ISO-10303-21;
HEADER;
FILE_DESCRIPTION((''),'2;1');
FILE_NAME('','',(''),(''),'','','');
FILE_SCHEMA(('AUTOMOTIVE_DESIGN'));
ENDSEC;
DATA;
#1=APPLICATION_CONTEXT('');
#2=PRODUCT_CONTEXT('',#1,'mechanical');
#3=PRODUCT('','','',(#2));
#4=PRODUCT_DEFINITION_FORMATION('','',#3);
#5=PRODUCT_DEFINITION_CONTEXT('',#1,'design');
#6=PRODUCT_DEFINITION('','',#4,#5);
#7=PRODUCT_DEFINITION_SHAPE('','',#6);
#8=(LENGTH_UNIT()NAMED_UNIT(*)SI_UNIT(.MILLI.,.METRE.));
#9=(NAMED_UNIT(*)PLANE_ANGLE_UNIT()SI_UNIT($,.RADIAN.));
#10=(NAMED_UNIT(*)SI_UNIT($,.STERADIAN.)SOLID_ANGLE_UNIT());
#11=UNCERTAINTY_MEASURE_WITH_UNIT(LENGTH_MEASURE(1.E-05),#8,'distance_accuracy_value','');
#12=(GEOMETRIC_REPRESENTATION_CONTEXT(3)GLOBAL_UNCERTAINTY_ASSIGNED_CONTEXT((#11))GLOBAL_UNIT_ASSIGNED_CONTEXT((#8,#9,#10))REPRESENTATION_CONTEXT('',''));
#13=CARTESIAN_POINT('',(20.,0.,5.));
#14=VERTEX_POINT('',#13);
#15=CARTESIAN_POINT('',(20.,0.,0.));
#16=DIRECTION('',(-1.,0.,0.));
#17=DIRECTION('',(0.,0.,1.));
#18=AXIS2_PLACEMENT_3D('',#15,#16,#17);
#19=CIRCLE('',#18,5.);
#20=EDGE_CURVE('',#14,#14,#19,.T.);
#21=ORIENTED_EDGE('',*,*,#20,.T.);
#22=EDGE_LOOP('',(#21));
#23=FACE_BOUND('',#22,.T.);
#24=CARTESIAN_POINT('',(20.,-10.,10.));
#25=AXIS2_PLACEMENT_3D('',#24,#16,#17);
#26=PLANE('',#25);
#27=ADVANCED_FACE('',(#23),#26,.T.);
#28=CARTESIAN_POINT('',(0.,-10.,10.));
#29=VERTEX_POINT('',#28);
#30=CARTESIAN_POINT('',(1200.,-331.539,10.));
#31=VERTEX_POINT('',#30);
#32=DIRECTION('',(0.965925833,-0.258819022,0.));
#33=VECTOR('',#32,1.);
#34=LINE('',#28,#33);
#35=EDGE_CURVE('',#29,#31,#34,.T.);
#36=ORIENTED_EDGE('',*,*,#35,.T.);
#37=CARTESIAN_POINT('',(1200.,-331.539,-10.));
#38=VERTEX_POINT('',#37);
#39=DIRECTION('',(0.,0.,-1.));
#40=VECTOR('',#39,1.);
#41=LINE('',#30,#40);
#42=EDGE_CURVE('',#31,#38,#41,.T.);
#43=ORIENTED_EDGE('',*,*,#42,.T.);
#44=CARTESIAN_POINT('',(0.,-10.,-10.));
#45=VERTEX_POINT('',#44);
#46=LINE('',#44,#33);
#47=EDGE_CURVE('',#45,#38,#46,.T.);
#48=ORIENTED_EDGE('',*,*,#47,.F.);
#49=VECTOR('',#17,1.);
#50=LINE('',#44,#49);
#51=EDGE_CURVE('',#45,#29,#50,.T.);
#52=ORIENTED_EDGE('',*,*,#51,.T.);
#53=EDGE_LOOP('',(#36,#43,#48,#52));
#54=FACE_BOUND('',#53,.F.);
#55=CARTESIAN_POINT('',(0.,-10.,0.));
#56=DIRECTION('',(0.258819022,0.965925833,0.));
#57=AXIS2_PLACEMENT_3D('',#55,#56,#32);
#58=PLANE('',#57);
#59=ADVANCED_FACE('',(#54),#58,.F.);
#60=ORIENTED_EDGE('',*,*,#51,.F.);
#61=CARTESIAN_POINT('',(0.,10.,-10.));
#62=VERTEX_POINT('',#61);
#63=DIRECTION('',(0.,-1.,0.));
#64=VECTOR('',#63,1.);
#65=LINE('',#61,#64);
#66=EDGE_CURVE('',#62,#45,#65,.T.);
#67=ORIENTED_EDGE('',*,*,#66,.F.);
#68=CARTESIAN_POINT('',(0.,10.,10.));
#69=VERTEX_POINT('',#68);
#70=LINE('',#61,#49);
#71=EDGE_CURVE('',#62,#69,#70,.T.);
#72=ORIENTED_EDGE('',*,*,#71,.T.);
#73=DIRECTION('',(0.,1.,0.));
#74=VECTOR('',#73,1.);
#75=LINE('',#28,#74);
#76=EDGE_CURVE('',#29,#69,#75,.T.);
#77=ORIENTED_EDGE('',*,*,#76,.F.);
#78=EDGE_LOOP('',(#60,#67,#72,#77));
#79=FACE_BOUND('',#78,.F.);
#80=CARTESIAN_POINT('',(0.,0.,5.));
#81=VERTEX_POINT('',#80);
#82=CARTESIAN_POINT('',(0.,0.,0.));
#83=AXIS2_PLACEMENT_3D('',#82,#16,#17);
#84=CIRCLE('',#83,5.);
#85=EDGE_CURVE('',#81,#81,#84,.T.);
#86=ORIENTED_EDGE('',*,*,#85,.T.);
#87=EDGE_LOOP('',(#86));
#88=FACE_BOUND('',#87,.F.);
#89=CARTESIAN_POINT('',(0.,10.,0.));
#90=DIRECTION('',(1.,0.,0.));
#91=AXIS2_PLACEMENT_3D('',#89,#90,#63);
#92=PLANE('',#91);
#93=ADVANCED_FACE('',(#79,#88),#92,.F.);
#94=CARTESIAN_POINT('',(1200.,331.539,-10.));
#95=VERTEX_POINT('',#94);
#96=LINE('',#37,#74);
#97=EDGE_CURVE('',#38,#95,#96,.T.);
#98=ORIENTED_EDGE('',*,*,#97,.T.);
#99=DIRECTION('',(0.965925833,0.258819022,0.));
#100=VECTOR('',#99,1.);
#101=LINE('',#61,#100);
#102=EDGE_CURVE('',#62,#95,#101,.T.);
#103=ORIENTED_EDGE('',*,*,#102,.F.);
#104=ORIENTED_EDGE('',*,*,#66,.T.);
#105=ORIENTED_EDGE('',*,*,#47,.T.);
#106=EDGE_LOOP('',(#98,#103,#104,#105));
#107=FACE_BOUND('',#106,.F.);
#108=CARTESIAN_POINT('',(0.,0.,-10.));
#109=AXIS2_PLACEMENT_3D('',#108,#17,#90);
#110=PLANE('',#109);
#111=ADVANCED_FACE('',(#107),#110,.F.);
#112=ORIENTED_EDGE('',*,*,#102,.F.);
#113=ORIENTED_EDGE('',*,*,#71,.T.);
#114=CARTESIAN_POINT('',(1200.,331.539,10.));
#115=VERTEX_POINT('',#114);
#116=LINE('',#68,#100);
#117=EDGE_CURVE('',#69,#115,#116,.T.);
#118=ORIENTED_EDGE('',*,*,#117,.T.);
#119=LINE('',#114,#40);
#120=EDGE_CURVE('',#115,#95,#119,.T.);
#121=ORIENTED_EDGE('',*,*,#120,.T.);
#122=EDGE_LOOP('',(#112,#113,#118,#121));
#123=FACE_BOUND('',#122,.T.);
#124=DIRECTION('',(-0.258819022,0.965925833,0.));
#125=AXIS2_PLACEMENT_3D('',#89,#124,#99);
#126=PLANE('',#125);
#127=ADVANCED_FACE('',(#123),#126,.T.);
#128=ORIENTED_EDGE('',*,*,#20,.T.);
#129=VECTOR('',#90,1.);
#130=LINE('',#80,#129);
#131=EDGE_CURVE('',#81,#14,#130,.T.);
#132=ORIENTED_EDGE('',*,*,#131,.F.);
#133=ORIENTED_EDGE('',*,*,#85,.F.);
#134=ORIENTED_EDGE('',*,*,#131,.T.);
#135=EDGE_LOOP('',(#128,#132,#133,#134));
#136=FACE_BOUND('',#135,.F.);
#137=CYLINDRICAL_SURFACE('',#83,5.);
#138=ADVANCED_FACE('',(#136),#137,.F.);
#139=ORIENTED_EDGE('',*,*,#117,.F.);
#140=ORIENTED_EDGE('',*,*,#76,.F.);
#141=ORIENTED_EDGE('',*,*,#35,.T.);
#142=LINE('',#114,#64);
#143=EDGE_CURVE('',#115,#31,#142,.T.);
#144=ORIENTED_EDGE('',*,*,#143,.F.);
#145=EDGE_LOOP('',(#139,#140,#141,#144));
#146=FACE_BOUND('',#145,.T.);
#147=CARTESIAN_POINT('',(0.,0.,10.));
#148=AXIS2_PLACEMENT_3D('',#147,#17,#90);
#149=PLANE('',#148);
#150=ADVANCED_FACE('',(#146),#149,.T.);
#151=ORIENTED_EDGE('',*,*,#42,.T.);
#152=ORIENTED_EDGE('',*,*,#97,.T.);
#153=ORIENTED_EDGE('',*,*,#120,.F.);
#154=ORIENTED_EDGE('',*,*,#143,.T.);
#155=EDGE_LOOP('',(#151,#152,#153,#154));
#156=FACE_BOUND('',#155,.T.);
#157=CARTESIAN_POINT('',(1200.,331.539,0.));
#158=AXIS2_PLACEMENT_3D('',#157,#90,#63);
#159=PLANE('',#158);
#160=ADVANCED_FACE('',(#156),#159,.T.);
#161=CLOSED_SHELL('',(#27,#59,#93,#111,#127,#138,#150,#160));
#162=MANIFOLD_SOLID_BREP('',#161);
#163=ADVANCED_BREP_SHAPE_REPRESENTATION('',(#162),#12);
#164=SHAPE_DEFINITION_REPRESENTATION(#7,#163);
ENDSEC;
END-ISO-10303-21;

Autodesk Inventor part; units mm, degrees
ref_plane "YZ Plane" through (0, 0, 0) normal (1, 0, 0) x (0, 1, 0)
ref_plane "XZ Plane" through (0, 0, 0) normal (0, 1, 0) x (-1, 0, 0)
ref_plane "XY Plane" through (0, 0, 0) normal (0, 0, 1) x (1, 0, 0)
sketch "Náčrt6" plane through (0, 0, 0) normal (0, 0, 1) x (1, 0, 0)
  line L0 (0, 10) -> (1200, 331.539)
  line L1 (0, 10) -> (0, 0)
  line L2 (0, -10) -> (1200, -331.539)
  line L3 (1200, 331.539) -> (1200, 0)
  line L4 (0, 0) -> (1200, 0) construction
  line L5 (1200, 0) -> (1200, -331.539)
  line L6 (0, 0) -> (0, -10)
  dimension "d15" = 20
  dimension "d16" = 30
  dimension "d17" = 1200
extrude "Vysunutí3" add sketch "Náčrt6" along normal mid plane 20
sketch "Náčrt7" plane through (0, -10, 10) normal (-1, 0, 0) x (0, 0, 1)
  circle A0 centre (-10, 10) radius 5
  dimension "d22" = 10
extrude "Vysunutí4" cut sketch "Náčrt7" against normal blind 20
properties part number "Pieskovy_luc"
